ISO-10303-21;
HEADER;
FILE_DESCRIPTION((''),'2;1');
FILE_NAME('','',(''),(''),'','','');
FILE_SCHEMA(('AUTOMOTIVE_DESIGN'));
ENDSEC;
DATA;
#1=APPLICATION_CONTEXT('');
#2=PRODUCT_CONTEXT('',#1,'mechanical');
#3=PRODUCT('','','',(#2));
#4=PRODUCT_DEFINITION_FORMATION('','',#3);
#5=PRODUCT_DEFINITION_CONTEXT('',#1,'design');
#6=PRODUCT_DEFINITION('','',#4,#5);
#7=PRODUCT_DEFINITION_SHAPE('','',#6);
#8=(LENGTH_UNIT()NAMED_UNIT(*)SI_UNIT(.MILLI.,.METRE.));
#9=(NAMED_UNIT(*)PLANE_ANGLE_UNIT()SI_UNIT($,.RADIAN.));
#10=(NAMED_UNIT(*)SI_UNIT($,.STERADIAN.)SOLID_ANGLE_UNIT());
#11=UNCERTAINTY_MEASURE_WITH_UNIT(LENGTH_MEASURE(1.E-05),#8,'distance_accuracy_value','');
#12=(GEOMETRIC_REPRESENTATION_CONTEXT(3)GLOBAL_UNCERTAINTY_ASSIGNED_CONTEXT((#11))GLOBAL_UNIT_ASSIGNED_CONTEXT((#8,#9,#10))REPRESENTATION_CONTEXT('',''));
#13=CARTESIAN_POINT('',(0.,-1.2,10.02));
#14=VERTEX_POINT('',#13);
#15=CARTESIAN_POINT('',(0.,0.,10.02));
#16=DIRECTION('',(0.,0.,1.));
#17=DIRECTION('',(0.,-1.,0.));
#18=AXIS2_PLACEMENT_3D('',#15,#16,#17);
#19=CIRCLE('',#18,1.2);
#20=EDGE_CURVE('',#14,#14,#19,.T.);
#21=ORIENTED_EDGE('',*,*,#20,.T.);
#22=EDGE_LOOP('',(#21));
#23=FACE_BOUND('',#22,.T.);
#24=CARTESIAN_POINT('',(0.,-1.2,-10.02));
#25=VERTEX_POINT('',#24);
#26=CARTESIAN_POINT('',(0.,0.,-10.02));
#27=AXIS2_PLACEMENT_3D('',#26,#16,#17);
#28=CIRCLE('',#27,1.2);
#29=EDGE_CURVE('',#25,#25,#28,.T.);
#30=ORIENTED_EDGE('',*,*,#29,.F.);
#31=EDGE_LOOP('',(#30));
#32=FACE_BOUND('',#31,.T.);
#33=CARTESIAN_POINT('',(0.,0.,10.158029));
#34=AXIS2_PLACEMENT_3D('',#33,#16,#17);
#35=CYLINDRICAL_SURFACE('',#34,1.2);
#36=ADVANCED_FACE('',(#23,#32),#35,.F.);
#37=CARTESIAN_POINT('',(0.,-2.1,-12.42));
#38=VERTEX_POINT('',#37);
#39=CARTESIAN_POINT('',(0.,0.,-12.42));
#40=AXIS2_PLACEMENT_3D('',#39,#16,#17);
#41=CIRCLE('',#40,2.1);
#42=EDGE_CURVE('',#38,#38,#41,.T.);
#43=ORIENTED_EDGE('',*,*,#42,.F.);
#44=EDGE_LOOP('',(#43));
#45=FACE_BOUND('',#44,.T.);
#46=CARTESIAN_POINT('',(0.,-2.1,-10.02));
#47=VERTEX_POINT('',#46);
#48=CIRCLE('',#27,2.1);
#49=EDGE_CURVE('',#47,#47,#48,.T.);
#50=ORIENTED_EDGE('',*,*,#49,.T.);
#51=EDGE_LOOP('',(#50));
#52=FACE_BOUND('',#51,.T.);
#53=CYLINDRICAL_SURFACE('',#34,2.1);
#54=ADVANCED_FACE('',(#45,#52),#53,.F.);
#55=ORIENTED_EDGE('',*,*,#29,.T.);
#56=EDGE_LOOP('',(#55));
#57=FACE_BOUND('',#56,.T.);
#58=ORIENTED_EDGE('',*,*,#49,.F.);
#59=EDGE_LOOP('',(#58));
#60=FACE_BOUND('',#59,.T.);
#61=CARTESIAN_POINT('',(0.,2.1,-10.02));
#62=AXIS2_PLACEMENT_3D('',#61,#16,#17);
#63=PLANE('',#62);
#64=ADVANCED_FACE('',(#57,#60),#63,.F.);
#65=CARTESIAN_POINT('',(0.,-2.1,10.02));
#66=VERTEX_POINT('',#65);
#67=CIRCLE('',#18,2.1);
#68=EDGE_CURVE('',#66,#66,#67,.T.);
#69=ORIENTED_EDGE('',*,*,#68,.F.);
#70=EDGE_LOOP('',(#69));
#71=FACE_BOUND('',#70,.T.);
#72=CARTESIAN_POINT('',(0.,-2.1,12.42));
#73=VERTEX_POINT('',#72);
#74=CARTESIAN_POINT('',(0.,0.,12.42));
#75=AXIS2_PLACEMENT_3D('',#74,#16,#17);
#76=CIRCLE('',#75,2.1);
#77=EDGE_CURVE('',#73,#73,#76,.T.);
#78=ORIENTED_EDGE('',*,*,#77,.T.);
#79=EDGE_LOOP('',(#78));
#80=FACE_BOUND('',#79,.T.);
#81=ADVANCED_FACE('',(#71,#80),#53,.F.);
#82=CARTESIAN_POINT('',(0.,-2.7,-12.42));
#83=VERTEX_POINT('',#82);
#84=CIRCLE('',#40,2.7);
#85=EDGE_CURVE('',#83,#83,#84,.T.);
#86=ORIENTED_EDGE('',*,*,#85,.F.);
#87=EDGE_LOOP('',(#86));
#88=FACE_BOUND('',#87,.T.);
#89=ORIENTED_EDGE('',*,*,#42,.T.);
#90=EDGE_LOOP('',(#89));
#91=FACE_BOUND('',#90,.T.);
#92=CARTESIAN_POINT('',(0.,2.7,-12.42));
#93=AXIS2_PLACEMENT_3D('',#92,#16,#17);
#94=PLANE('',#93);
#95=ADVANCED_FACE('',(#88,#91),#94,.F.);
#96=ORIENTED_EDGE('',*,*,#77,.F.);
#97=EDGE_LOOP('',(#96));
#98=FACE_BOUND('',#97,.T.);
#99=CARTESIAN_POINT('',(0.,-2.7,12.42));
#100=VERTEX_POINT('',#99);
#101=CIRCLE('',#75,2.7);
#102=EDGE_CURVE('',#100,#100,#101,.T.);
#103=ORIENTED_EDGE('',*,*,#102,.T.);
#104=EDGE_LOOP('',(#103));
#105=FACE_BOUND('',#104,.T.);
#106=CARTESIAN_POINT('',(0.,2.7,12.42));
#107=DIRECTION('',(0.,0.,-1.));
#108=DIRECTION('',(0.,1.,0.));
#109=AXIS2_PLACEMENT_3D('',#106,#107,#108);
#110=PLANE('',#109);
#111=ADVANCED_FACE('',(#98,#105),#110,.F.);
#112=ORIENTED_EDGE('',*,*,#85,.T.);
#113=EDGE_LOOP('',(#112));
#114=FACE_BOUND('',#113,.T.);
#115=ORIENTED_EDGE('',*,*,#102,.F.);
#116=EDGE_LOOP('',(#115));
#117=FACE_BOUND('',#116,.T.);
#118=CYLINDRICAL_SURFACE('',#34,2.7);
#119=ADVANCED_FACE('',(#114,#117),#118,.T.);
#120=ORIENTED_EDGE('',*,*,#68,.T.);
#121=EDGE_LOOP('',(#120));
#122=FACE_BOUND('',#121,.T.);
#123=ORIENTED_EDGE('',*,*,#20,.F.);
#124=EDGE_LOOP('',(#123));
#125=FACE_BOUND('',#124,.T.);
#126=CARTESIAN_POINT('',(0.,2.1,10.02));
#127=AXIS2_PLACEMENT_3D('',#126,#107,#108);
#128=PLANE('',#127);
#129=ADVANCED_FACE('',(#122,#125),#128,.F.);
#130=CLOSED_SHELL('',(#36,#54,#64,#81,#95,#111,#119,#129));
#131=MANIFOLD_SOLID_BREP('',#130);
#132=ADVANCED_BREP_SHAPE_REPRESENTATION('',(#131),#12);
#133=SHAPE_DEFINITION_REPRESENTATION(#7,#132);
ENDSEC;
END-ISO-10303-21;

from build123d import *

# Parameters (mm, degrees)
SCALE1_SCALE = 0.6


with BuildPart() as part:
    # Sketch1 → Revolve1 (revolve)
    with BuildSketch(Plane(origin=(0, 0, 0), x_dir=(0, 0, -1), z_dir=(1, 0, 0))):
        Polygon((16.7, 3.5), (20.7, 3.5), (20.7, 4.5), (-20.7, 4.5), (-20.7, 3.5), (-16.7, 3.5), (-16.7, 2), (16.7, 2), align=None)
    revolve(axis=Axis((0, 0, 16.930047934), (0, 0, -1)))


with BuildPart() as part_1:
    # Scale1: scaled about (0, 0, 0)
    add(part.part.scale(SCALE1_SCALE))


solid = part_1.part
